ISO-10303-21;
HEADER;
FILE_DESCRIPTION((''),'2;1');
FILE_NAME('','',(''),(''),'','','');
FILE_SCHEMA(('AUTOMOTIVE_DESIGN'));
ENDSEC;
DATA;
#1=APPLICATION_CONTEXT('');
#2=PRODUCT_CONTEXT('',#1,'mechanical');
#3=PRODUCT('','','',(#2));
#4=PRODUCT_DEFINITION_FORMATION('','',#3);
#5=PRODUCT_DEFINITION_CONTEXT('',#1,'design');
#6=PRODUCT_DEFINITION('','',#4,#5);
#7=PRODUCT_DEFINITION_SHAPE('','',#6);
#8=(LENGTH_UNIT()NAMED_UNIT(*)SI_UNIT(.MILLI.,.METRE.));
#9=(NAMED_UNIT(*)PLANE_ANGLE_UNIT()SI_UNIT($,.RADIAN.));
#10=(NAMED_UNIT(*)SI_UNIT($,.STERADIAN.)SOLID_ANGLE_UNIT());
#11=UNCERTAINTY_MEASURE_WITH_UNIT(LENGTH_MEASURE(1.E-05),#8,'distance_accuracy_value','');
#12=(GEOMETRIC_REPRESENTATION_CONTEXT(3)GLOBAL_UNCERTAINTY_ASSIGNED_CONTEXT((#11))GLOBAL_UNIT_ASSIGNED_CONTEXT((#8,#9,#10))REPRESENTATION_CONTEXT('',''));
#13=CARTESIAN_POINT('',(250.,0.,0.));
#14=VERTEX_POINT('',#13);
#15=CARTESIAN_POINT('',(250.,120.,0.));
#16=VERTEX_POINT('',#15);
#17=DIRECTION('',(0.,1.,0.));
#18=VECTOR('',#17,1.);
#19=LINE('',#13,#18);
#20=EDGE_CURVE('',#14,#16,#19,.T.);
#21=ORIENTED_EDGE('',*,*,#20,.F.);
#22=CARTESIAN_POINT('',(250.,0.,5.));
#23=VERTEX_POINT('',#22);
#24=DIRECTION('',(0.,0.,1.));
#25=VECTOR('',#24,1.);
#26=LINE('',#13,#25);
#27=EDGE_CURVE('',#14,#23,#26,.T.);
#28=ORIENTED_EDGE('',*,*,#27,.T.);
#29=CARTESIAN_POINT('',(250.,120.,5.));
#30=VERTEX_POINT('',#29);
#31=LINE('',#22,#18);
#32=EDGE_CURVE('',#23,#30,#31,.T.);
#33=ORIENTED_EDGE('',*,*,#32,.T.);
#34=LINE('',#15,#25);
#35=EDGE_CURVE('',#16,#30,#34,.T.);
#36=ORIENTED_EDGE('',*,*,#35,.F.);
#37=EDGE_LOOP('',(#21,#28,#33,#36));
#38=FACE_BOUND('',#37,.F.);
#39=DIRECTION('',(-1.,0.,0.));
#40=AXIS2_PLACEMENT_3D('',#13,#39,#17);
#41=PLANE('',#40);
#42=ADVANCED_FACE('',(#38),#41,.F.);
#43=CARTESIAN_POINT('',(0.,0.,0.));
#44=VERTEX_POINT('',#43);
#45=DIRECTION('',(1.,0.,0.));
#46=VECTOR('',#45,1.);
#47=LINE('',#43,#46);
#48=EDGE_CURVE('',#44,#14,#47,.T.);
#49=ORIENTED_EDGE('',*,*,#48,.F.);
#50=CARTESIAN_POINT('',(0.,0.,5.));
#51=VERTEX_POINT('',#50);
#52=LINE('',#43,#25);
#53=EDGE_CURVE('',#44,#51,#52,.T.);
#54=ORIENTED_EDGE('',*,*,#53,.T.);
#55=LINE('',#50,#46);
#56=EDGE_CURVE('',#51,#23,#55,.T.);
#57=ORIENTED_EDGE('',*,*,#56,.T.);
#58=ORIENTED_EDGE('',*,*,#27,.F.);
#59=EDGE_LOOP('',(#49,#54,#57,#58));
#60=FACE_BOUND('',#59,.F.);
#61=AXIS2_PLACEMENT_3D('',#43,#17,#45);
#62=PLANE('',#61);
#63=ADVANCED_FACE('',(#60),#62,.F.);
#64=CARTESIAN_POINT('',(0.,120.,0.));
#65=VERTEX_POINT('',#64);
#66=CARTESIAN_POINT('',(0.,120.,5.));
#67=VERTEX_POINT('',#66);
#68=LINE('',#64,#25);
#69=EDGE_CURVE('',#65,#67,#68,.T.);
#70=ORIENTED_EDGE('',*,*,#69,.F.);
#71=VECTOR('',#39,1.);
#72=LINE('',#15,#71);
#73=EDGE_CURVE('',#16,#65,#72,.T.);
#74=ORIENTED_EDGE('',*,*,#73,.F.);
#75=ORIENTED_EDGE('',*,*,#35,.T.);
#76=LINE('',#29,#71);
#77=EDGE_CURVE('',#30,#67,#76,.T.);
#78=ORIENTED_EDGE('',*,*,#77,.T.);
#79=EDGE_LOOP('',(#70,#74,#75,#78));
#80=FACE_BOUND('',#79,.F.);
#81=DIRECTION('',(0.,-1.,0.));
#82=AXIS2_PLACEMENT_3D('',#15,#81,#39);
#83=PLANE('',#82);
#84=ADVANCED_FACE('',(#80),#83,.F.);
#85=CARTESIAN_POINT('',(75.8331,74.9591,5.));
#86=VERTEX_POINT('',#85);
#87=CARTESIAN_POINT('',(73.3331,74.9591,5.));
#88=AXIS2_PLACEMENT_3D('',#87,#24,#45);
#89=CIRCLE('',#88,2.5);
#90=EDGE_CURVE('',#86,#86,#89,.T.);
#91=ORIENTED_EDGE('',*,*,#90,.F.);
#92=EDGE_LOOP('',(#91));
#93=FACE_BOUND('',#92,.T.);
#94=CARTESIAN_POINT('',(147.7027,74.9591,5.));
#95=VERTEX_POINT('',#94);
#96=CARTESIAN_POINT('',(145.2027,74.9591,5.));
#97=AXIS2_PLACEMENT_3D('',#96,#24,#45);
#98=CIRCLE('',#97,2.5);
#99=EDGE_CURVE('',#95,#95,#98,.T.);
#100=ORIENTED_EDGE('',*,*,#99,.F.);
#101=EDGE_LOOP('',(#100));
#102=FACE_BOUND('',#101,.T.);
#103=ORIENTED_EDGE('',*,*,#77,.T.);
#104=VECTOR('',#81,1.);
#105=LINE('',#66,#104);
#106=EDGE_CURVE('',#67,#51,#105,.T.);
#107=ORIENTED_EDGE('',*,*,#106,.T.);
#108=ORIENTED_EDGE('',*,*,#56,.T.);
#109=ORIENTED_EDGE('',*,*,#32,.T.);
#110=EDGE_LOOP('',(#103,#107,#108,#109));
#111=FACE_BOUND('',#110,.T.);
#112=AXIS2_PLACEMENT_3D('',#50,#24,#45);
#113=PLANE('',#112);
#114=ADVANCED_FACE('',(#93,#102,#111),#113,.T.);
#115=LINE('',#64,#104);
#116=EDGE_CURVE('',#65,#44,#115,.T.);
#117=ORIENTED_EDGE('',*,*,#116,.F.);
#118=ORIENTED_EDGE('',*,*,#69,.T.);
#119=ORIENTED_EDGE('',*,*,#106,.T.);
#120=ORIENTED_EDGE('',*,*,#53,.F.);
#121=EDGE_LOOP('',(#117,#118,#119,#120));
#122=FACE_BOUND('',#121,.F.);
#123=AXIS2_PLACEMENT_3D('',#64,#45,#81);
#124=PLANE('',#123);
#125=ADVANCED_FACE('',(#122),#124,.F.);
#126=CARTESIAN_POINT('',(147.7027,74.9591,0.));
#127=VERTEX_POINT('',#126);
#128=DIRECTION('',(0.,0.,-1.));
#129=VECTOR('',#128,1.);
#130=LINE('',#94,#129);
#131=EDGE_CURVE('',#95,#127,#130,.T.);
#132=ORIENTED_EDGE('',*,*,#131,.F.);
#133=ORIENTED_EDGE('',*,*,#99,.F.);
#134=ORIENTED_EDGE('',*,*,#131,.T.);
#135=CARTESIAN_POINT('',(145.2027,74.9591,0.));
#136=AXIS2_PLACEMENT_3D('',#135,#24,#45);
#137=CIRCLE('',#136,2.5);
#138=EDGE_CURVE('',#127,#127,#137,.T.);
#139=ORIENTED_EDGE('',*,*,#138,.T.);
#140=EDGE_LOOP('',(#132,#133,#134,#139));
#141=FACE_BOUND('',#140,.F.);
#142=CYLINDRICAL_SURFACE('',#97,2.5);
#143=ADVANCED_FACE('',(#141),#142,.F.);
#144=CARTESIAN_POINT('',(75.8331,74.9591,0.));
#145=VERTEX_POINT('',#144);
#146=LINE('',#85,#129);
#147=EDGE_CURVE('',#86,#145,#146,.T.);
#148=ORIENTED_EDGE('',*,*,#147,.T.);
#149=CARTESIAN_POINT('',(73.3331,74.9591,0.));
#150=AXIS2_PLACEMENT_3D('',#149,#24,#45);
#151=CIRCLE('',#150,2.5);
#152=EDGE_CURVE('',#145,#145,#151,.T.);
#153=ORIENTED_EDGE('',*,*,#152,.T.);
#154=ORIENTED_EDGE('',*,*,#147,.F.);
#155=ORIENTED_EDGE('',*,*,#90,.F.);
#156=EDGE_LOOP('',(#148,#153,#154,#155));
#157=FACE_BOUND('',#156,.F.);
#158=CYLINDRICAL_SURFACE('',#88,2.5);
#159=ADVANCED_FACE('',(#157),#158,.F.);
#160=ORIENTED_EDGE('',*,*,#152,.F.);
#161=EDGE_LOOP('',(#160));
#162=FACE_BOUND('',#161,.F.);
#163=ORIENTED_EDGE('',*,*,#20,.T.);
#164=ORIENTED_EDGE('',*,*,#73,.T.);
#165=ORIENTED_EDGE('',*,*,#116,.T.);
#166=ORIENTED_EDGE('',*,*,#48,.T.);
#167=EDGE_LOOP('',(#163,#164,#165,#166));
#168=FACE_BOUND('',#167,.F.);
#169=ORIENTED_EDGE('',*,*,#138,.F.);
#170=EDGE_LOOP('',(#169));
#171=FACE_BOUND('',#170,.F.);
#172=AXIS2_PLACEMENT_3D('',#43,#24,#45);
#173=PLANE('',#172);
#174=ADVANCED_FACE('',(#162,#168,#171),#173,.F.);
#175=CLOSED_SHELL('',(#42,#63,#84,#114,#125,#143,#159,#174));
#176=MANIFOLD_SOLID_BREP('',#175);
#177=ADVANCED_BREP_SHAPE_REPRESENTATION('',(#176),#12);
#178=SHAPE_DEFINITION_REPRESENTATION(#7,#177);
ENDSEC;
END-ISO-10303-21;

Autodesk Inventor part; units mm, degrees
ref_plane "YZ Plane" through (0, 0, 0) normal (1, 0, 0) x (0, 1, 0)
ref_plane "XZ Plane" through (0, 0, 0) normal (0, 1, 0) x (-1, 0, 0)
ref_plane "XY Plane" through (0, 0, 0) normal (0, 0, 1) x (1, 0, 0)
sketch "Sketch1" plane through (0, 0, 0) normal (0, 0, 1) x (1, 0, 0)
  line L0 (0, 0) -> (250, 0)
  line L1 (250, 0) -> (250, 120)
  line L2 (250, 120) -> (0, 120)
  line L3 (0, 120) -> (0, 0)
  dimension "d0" = 250
  dimension "d1" = 120
extrude "Extrusion1" add sketch "Sketch1" along normal blind 5
sketch "Sketch2" plane through (0, 0, 5) normal (0, 0, 1) x (1, 0, 0)
  circle A0 centre (73.3331, 74.9591) radius 2.5
  circle A1 centre (145.2027, 74.9591) radius 2.5
  point P0 (0, 0)
  dimension "d4" = 5
  dimension "d5" = 5
extrude "Extrusion2" cut sketch "Sketch2" against normal blind 5
properties part number "team29_wall"
